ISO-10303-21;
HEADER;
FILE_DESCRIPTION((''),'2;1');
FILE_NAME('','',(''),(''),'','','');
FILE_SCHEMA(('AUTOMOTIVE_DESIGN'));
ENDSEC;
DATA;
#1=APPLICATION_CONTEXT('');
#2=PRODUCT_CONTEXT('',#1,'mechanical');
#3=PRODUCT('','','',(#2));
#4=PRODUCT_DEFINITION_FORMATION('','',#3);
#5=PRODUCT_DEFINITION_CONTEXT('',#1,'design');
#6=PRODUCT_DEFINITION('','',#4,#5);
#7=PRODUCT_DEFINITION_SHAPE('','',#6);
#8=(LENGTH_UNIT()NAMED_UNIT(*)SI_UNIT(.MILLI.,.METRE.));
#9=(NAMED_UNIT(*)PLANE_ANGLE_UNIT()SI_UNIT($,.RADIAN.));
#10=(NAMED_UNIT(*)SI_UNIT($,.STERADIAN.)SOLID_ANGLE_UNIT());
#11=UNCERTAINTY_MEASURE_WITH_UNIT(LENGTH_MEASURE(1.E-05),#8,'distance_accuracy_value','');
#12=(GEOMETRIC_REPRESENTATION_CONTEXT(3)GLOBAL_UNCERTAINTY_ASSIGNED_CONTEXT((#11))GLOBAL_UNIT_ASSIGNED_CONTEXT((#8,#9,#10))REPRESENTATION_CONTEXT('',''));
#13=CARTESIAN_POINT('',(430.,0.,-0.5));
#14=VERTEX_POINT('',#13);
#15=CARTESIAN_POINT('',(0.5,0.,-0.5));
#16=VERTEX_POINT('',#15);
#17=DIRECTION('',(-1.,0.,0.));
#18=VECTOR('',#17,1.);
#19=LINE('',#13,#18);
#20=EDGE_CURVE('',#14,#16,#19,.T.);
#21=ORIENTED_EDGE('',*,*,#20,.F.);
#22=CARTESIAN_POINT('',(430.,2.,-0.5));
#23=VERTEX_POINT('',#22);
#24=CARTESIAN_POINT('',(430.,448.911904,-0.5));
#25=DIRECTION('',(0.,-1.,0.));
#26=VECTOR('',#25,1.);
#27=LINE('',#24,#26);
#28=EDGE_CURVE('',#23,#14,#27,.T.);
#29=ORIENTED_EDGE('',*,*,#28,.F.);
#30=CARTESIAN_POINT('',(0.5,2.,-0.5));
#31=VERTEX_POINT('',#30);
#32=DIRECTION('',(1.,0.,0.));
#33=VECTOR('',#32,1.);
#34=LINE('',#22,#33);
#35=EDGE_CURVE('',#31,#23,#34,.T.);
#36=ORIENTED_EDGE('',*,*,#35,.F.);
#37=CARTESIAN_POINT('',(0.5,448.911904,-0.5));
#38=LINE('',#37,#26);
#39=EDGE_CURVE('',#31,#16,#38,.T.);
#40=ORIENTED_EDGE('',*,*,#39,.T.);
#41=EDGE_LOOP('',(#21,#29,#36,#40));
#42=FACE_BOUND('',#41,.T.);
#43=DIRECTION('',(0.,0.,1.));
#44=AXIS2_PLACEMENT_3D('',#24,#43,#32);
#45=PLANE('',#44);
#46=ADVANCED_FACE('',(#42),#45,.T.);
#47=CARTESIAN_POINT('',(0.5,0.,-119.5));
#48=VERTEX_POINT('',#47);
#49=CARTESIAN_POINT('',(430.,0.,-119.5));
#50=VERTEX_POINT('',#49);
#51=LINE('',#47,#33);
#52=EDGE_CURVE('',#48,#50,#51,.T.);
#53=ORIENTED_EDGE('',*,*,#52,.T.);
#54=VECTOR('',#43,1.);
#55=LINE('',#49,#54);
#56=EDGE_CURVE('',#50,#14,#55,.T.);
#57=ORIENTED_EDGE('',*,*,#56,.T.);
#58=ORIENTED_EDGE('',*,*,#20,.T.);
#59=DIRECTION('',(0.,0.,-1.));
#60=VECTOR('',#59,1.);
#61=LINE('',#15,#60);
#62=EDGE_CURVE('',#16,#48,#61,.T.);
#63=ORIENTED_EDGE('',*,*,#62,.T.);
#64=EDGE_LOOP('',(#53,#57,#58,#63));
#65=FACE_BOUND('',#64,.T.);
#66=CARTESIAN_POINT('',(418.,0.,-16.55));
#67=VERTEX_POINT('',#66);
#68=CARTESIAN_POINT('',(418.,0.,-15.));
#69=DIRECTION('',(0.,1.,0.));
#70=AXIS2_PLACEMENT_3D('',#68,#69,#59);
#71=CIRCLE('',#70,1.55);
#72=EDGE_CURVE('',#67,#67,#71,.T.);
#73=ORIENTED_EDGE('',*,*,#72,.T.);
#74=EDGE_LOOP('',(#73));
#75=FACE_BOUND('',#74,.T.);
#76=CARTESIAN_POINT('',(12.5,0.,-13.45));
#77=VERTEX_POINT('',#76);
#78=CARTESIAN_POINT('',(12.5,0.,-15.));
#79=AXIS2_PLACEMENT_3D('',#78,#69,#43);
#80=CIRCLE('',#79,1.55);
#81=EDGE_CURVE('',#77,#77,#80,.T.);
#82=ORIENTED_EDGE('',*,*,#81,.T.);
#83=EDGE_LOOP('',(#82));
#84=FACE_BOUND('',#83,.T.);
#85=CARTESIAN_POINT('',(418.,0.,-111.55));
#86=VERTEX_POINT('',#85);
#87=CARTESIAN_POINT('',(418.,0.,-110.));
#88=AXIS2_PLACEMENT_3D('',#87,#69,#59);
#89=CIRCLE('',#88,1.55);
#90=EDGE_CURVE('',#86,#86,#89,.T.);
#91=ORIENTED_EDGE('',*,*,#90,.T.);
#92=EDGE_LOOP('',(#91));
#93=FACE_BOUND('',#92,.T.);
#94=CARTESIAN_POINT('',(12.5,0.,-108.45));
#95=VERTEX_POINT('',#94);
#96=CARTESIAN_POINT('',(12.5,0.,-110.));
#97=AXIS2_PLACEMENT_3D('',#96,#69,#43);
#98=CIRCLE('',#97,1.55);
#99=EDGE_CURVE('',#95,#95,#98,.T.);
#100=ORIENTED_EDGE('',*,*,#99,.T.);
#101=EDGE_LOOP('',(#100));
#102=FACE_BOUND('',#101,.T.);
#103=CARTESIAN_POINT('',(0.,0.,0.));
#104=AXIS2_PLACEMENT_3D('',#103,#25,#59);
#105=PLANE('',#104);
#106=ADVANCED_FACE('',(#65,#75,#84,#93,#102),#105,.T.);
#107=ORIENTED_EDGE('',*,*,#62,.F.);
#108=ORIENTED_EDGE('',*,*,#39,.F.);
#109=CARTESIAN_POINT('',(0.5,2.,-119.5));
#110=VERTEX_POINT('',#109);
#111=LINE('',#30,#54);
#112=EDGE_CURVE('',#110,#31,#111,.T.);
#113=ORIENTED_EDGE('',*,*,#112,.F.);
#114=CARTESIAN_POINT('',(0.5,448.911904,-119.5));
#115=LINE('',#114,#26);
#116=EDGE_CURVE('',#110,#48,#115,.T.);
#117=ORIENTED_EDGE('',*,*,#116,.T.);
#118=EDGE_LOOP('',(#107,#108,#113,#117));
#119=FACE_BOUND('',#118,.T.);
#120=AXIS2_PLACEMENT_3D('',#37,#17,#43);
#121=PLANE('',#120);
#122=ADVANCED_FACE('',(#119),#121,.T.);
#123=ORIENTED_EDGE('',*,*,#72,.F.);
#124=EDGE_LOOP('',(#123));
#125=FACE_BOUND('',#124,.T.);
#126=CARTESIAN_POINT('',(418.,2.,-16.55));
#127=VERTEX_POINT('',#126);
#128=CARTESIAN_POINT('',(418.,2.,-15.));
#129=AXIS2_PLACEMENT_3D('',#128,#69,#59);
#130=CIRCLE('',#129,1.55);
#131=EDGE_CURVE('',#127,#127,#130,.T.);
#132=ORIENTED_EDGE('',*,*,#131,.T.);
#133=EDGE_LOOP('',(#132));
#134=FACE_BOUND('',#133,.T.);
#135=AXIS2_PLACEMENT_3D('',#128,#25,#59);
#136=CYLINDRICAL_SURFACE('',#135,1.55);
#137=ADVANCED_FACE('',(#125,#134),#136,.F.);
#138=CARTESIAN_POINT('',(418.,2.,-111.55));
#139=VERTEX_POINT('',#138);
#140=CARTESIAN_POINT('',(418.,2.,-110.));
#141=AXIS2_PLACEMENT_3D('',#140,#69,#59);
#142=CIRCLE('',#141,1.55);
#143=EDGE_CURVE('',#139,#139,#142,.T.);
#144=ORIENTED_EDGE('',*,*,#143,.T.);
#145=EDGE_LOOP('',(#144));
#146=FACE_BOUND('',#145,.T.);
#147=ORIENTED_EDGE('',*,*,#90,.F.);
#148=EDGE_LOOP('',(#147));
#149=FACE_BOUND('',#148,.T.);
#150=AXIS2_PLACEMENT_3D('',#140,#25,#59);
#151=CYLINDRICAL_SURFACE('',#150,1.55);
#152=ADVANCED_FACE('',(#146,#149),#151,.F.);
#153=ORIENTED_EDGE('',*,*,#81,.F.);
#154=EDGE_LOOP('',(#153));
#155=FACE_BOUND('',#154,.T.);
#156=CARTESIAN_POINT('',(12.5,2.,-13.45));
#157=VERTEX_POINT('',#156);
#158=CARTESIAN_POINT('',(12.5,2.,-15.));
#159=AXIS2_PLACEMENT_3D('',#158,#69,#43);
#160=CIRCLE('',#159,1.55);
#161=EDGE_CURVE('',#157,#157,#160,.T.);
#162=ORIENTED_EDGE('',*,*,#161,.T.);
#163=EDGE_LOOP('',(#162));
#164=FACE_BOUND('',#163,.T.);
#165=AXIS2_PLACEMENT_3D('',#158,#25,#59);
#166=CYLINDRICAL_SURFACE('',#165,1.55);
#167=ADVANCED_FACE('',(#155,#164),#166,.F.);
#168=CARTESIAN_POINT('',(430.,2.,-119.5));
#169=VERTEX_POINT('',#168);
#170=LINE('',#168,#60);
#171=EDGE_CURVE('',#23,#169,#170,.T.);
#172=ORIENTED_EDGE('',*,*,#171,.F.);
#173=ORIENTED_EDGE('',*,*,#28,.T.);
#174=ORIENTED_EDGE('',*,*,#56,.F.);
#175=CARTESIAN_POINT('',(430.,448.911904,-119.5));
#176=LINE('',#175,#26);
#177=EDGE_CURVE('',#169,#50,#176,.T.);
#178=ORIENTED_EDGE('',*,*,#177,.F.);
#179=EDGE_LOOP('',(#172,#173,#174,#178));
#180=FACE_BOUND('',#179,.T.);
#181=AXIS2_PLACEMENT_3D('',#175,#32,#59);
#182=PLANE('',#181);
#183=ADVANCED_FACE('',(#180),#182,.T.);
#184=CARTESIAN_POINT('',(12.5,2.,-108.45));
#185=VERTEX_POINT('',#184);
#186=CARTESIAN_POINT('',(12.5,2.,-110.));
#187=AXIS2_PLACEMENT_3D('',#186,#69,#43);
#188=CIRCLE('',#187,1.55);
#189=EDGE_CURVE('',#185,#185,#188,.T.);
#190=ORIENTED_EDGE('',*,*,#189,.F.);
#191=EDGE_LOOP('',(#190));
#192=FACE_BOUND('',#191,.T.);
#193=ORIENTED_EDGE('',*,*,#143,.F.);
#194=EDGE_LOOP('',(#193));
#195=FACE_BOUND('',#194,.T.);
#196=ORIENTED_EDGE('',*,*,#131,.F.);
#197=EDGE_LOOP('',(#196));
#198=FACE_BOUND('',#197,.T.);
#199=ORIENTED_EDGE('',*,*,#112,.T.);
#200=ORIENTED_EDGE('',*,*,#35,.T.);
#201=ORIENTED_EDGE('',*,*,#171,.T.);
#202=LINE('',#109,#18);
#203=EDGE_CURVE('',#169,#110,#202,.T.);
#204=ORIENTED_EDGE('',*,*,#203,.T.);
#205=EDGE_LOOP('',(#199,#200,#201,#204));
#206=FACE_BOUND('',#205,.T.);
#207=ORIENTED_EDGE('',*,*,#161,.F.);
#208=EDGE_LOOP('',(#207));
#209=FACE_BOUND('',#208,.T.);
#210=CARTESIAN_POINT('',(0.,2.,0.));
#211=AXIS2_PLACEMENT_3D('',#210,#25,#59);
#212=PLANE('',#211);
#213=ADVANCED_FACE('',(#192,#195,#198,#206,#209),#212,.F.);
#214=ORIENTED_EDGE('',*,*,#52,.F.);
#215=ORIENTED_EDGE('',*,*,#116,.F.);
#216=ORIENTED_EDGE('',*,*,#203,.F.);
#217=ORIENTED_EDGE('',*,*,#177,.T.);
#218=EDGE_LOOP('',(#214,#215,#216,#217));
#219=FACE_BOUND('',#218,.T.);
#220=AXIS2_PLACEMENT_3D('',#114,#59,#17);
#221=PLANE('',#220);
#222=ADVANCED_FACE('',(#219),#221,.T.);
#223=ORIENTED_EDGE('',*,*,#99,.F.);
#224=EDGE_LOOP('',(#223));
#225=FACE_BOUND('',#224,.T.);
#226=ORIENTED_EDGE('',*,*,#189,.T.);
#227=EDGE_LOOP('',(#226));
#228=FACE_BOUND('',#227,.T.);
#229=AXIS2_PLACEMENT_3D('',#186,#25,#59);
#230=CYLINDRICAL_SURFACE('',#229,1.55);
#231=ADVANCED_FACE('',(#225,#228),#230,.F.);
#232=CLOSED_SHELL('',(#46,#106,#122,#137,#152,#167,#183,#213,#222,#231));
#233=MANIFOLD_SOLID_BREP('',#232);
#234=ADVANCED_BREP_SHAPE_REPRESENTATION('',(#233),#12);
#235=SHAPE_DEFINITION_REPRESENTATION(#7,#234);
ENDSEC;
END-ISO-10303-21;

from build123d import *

# Parameters (mm, degrees)
CROQUIS1_W              = 430.5
CROQUIS1_H              = 120
CROQUIS1_R              = 1.55
SALIENTE_EXTRUIR1_DEPTH = 2
CROQUIS2_W              = 430.5
CROQUIS2_H              = 120
CROQUIS2_W_2            = 429.5
CROQUIS2_H_2            = 119
CORTAR_EXTRUIR1_DEPTH   = 2


with BuildPart() as part:
    # Croquis1 → Saliente-Extruir1 (new body)
    with BuildSketch(Plane(origin=(0, 0, 0), x_dir=(1, 0, 0), z_dir=(0, 1, 0))):
        with Locations((215.25, 60)):
            Rectangle(CROQUIS1_W, CROQUIS1_H)
        with Locations(Location((12.5, 15, 0), (0, 0, 270))):
            Circle(CROQUIS1_R, mode=Mode.SUBTRACT)
        with Locations(Location((12.5, 110, 0), (0, 0, 270))):
            Circle(CROQUIS1_R, mode=Mode.SUBTRACT)
        with Locations(Location((418, 15, 0), (0, 0, 90))):
            Circle(CROQUIS1_R, mode=Mode.SUBTRACT)
        with Locations(Location((418, 110, 0), (0, 0, 90))):
            Circle(CROQUIS1_R, mode=Mode.SUBTRACT)
    extrude(amount=SALIENTE_EXTRUIR1_DEPTH)

    # Croquis2 → Cortar-Extruir1 (cut)
    with BuildSketch(Plane.XZ):
        with Locations((215.25, -60)):
            Rectangle(CROQUIS2_W, CROQUIS2_H)
        with Locations((215.25, -60)):
            Rectangle(CROQUIS2_W_2, CROQUIS2_H_2, mode=Mode.SUBTRACT)
    extrude(amount=-CORTAR_EXTRUIR1_DEPTH, mode=Mode.SUBTRACT)


solid = part.part
